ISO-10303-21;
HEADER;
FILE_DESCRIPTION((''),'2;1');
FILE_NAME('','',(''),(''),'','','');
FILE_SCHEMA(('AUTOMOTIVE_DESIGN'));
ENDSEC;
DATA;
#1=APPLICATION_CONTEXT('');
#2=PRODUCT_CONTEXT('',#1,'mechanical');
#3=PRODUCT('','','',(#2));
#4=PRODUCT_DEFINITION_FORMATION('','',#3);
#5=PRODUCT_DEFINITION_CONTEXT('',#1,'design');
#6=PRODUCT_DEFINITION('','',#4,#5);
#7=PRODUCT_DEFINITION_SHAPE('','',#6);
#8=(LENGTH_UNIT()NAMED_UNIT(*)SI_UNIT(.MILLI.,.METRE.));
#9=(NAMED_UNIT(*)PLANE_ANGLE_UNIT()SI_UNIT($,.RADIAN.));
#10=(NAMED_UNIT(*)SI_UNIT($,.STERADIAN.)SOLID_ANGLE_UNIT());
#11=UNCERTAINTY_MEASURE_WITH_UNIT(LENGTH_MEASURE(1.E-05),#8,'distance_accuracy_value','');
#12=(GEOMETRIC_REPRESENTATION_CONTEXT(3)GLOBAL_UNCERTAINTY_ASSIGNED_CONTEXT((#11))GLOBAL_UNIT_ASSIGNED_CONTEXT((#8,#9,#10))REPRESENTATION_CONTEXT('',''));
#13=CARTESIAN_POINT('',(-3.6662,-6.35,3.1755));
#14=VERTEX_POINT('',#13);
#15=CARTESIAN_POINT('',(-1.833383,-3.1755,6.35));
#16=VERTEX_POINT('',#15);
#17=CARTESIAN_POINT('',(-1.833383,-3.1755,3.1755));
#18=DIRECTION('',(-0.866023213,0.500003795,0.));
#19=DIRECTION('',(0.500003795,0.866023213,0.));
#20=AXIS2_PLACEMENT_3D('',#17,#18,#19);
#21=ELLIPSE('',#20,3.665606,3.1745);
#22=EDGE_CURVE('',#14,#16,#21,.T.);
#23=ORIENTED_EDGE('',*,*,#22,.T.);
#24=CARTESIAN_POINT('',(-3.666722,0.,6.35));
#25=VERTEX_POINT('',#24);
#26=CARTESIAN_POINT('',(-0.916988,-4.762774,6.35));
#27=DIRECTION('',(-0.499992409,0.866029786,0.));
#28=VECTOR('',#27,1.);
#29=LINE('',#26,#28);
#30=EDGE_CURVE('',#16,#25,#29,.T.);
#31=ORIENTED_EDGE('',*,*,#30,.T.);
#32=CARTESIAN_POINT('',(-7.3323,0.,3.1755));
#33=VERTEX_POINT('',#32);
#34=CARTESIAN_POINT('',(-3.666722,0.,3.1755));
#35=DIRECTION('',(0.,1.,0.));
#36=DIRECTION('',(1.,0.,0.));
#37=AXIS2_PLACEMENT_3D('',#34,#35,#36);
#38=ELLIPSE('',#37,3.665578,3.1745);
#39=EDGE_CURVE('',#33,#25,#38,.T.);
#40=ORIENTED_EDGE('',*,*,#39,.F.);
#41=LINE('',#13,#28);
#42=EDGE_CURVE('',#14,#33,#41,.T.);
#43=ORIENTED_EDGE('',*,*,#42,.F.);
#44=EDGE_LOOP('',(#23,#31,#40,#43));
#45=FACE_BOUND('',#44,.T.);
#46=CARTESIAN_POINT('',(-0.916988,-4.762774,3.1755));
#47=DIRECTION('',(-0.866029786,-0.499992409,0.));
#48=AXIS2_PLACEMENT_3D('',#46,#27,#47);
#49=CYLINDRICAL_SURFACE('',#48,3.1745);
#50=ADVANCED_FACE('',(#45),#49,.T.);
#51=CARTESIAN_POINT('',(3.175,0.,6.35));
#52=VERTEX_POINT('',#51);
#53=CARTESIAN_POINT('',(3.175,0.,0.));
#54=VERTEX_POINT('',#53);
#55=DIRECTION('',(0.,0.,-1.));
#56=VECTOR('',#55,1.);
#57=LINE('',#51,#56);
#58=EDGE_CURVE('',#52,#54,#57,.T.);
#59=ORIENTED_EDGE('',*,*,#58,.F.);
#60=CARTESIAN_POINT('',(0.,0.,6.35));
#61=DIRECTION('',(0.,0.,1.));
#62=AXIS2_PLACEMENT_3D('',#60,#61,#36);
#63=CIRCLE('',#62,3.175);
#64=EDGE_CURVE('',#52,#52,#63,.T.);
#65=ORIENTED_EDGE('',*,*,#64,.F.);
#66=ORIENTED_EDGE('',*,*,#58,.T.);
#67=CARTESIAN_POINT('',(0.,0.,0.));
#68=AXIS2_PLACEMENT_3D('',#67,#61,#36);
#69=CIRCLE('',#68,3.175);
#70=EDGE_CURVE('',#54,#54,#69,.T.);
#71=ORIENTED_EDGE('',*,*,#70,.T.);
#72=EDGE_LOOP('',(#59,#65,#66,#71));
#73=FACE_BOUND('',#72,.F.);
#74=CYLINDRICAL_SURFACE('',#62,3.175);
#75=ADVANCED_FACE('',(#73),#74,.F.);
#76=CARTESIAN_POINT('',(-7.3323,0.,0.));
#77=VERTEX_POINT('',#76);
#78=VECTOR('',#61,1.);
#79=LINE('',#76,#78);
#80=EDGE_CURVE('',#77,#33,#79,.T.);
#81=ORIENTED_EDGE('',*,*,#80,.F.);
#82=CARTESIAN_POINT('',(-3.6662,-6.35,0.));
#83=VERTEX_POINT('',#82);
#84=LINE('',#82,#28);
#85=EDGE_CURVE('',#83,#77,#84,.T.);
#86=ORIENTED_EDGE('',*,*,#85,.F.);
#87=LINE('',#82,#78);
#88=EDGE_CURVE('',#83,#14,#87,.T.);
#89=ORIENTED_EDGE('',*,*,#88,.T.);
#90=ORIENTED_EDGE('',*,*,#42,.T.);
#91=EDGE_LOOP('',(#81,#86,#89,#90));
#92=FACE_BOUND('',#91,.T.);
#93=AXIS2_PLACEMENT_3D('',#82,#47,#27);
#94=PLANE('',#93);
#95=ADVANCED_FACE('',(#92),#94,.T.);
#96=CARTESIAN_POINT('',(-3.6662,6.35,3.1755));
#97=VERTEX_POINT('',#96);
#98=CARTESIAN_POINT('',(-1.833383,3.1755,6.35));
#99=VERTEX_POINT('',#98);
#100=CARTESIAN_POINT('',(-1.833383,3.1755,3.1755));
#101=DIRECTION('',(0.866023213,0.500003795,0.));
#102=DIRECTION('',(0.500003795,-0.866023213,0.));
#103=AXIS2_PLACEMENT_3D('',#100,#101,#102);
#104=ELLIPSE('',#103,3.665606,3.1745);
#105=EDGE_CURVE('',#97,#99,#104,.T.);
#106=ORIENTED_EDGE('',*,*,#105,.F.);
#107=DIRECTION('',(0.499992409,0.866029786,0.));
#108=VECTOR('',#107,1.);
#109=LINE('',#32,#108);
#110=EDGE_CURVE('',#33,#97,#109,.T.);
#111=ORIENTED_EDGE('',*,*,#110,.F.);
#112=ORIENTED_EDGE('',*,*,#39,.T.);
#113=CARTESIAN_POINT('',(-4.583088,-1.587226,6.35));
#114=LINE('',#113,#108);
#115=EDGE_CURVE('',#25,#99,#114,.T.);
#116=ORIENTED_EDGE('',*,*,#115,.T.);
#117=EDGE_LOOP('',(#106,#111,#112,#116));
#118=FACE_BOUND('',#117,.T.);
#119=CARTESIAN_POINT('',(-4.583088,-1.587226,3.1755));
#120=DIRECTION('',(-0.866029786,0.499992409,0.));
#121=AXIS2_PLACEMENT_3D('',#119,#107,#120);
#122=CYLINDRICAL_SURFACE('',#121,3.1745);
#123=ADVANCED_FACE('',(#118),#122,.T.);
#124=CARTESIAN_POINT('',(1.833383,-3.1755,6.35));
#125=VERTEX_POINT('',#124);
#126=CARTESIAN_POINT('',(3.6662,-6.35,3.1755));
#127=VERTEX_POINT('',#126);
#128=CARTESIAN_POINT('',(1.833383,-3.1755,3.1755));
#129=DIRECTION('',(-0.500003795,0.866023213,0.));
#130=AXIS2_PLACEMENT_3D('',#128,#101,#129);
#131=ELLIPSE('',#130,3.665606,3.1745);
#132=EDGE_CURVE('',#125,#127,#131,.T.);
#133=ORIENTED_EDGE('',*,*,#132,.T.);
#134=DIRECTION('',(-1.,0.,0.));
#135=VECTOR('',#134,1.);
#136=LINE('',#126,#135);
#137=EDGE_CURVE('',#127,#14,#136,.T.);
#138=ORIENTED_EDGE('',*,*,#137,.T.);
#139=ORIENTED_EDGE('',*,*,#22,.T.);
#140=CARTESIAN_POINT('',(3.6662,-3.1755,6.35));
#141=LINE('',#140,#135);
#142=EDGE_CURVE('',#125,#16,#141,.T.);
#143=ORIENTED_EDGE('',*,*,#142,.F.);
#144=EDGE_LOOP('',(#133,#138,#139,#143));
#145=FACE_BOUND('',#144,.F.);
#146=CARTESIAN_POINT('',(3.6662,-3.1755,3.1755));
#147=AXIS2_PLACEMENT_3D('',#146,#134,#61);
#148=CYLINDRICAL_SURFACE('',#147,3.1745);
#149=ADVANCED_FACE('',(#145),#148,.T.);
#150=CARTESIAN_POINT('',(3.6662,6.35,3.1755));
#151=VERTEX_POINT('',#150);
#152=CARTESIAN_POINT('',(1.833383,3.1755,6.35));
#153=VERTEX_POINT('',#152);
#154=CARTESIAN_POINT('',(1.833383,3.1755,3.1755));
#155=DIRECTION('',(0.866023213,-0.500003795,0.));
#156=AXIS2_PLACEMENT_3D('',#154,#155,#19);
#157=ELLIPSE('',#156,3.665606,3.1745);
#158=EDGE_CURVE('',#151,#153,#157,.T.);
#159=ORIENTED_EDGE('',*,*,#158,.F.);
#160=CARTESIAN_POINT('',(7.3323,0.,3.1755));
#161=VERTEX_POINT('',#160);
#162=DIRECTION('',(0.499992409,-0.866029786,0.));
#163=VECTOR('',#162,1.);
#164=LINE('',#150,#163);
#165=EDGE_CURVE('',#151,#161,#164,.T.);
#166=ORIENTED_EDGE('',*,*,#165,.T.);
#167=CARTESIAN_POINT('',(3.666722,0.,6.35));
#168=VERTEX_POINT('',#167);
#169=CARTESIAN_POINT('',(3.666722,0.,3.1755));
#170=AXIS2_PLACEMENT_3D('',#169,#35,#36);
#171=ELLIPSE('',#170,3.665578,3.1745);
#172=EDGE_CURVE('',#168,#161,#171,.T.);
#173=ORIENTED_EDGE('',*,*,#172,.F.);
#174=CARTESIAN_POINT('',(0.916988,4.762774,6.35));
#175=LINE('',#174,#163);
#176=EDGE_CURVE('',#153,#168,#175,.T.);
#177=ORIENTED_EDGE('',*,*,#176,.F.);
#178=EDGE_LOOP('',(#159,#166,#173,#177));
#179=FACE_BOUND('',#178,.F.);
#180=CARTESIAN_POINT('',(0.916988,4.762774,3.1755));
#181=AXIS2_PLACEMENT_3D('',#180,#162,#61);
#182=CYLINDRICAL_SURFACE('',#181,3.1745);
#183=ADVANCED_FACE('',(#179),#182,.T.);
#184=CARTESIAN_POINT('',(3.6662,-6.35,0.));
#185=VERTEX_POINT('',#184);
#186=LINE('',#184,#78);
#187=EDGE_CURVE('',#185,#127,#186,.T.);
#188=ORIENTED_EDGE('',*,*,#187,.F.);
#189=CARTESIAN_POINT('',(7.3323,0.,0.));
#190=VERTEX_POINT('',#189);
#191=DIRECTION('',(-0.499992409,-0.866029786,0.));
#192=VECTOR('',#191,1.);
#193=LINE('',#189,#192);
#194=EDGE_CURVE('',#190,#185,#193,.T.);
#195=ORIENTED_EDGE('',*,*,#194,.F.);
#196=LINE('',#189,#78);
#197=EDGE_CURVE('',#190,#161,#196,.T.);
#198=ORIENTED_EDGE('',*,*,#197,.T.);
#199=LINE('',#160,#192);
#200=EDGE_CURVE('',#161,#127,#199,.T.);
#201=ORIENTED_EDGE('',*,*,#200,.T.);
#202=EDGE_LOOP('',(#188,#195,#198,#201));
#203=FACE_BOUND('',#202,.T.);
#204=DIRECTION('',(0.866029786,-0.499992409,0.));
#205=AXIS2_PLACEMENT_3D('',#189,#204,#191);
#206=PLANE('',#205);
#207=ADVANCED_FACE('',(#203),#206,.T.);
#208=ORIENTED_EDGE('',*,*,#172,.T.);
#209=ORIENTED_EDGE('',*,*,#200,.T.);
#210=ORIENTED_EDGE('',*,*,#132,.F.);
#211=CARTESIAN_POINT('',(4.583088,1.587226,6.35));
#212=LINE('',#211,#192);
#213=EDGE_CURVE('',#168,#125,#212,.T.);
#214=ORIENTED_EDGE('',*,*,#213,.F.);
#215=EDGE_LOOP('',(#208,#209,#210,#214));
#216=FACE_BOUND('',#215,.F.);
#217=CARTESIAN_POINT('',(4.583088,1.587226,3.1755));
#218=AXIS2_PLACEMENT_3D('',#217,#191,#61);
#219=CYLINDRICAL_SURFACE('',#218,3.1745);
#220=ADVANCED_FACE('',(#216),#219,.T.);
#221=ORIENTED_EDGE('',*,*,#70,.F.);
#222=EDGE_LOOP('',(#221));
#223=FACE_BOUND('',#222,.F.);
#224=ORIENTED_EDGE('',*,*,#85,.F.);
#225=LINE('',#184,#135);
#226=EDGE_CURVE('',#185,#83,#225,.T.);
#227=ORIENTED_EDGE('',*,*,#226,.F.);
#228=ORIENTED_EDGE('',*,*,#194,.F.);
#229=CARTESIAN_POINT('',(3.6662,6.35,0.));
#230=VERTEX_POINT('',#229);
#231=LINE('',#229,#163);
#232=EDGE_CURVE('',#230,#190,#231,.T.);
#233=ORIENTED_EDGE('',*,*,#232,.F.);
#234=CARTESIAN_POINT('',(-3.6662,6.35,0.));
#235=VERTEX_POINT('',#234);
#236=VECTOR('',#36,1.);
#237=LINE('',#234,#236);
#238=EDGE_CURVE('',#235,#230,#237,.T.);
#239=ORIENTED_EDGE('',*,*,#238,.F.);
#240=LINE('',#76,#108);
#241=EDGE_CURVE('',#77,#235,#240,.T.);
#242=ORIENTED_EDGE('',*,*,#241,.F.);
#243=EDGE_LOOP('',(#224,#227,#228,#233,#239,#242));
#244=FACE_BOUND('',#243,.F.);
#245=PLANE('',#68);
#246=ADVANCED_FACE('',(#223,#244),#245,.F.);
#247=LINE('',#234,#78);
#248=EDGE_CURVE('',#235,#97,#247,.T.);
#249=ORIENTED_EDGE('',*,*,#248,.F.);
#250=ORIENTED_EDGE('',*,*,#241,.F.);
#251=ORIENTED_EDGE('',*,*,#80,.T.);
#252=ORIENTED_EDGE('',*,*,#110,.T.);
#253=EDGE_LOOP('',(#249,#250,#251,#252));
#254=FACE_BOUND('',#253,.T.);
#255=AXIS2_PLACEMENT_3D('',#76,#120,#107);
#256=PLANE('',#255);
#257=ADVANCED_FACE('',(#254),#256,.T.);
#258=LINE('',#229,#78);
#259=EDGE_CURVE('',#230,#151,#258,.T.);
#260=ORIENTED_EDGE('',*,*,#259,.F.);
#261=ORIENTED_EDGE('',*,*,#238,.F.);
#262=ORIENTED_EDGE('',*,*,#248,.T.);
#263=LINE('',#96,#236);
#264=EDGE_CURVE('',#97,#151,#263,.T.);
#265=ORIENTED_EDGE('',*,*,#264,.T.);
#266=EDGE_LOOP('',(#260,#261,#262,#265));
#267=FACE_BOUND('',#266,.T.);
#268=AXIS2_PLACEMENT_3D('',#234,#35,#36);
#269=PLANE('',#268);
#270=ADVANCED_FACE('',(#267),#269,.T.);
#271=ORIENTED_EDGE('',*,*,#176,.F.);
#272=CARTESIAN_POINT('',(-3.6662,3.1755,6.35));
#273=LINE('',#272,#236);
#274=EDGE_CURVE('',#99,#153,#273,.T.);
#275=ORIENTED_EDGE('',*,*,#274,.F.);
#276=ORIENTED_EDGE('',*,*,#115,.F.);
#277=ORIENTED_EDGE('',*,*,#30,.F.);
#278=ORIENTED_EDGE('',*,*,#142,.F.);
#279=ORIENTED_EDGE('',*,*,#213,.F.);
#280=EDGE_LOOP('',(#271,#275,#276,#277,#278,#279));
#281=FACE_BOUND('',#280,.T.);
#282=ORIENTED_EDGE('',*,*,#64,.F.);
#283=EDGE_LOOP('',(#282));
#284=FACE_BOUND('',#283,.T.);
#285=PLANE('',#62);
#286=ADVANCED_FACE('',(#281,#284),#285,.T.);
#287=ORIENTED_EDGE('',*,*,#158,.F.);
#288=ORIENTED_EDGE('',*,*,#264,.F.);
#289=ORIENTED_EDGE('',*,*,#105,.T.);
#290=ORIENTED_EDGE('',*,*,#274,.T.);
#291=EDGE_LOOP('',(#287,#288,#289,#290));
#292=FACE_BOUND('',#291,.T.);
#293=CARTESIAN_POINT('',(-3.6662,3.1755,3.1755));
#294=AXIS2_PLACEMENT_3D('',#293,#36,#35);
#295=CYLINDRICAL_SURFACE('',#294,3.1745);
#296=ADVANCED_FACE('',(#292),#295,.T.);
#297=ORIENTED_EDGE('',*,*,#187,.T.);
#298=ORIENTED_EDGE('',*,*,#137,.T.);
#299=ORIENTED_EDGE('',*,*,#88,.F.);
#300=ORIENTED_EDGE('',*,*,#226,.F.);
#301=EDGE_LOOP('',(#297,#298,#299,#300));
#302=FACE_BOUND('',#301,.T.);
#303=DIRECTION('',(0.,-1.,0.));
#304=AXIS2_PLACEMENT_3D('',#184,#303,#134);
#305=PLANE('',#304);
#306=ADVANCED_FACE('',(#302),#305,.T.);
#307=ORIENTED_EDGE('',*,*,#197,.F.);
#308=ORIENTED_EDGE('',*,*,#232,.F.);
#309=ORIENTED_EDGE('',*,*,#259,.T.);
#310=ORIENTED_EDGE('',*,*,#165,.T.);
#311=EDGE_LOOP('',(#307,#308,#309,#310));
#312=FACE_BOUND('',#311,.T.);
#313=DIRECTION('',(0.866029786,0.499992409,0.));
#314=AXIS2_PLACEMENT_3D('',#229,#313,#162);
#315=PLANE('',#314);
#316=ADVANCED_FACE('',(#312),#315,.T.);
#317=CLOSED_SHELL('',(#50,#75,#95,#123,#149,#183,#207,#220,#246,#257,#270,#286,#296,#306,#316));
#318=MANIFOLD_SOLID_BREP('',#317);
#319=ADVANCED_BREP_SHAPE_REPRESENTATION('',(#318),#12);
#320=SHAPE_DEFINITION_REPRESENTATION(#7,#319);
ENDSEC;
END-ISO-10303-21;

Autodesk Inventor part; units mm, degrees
ref_plane "YZ Plane" through (0, 0, 0) normal (1, 0, 0) x (0, 1, 0)
ref_plane "XZ Plane" through (0, 0, 0) normal (0, 1, 0) x (-1, 0, 0)
ref_plane "XY Plane" through (0, 0, 0) normal (0, 0, 1) x (1, 0, 0)
sketch "Sketch1" plane through (0, 0, 0) normal (0, 0, 1) x (1, 0, 0)
  line L0 (-7.3323, 0) -> (-3.6662, 6.35)
  line L1 (-3.6662, 6.35) -> (3.6662, 6.35)
  line L2 (3.6662, 6.35) -> (7.3323, 0)
  line L3 (7.3323, 0) -> (3.6662, -6.35)
  line L4 (3.6662, -6.35) -> (-3.6662, -6.35)
  line L5 (-3.6662, -6.35) -> (-7.3323, 0)
  point P0 (0, 0)
  point P1 (0, 0)
  dimension "d0" = 12.7
extrude "Extrusion1" add sketch "Sketch1" along normal blind 6.35
sketch "Sketch2" plane through (0, 0, 6.35) normal (0, 0, 1) x (1, 0, 0)
  circle A0 centre (0, 0) radius 3.175
  dimension "d3" = 6.35
extrude "Extrusion2" cut sketch "Sketch2" against normal blind 6.35
thread "Thread1" size "1/4-20 UNC" class "2B" standard "ANSI Unified Screw Threads" full length
fillet "Fillet1" radius 3.175 6 edges at (0, 6.35, 6.35) (5.4993, 3.175, 6.35) (-5.4993, 3.175, 6.35) (-5.4993, -3.175, 6.35) (0, -6.35, 6.35) (5.4993, -3.175, 6.35)
properties part number "LucasCharles Part 8 small nut Final" material "Stainless Steel, Austenitic"
